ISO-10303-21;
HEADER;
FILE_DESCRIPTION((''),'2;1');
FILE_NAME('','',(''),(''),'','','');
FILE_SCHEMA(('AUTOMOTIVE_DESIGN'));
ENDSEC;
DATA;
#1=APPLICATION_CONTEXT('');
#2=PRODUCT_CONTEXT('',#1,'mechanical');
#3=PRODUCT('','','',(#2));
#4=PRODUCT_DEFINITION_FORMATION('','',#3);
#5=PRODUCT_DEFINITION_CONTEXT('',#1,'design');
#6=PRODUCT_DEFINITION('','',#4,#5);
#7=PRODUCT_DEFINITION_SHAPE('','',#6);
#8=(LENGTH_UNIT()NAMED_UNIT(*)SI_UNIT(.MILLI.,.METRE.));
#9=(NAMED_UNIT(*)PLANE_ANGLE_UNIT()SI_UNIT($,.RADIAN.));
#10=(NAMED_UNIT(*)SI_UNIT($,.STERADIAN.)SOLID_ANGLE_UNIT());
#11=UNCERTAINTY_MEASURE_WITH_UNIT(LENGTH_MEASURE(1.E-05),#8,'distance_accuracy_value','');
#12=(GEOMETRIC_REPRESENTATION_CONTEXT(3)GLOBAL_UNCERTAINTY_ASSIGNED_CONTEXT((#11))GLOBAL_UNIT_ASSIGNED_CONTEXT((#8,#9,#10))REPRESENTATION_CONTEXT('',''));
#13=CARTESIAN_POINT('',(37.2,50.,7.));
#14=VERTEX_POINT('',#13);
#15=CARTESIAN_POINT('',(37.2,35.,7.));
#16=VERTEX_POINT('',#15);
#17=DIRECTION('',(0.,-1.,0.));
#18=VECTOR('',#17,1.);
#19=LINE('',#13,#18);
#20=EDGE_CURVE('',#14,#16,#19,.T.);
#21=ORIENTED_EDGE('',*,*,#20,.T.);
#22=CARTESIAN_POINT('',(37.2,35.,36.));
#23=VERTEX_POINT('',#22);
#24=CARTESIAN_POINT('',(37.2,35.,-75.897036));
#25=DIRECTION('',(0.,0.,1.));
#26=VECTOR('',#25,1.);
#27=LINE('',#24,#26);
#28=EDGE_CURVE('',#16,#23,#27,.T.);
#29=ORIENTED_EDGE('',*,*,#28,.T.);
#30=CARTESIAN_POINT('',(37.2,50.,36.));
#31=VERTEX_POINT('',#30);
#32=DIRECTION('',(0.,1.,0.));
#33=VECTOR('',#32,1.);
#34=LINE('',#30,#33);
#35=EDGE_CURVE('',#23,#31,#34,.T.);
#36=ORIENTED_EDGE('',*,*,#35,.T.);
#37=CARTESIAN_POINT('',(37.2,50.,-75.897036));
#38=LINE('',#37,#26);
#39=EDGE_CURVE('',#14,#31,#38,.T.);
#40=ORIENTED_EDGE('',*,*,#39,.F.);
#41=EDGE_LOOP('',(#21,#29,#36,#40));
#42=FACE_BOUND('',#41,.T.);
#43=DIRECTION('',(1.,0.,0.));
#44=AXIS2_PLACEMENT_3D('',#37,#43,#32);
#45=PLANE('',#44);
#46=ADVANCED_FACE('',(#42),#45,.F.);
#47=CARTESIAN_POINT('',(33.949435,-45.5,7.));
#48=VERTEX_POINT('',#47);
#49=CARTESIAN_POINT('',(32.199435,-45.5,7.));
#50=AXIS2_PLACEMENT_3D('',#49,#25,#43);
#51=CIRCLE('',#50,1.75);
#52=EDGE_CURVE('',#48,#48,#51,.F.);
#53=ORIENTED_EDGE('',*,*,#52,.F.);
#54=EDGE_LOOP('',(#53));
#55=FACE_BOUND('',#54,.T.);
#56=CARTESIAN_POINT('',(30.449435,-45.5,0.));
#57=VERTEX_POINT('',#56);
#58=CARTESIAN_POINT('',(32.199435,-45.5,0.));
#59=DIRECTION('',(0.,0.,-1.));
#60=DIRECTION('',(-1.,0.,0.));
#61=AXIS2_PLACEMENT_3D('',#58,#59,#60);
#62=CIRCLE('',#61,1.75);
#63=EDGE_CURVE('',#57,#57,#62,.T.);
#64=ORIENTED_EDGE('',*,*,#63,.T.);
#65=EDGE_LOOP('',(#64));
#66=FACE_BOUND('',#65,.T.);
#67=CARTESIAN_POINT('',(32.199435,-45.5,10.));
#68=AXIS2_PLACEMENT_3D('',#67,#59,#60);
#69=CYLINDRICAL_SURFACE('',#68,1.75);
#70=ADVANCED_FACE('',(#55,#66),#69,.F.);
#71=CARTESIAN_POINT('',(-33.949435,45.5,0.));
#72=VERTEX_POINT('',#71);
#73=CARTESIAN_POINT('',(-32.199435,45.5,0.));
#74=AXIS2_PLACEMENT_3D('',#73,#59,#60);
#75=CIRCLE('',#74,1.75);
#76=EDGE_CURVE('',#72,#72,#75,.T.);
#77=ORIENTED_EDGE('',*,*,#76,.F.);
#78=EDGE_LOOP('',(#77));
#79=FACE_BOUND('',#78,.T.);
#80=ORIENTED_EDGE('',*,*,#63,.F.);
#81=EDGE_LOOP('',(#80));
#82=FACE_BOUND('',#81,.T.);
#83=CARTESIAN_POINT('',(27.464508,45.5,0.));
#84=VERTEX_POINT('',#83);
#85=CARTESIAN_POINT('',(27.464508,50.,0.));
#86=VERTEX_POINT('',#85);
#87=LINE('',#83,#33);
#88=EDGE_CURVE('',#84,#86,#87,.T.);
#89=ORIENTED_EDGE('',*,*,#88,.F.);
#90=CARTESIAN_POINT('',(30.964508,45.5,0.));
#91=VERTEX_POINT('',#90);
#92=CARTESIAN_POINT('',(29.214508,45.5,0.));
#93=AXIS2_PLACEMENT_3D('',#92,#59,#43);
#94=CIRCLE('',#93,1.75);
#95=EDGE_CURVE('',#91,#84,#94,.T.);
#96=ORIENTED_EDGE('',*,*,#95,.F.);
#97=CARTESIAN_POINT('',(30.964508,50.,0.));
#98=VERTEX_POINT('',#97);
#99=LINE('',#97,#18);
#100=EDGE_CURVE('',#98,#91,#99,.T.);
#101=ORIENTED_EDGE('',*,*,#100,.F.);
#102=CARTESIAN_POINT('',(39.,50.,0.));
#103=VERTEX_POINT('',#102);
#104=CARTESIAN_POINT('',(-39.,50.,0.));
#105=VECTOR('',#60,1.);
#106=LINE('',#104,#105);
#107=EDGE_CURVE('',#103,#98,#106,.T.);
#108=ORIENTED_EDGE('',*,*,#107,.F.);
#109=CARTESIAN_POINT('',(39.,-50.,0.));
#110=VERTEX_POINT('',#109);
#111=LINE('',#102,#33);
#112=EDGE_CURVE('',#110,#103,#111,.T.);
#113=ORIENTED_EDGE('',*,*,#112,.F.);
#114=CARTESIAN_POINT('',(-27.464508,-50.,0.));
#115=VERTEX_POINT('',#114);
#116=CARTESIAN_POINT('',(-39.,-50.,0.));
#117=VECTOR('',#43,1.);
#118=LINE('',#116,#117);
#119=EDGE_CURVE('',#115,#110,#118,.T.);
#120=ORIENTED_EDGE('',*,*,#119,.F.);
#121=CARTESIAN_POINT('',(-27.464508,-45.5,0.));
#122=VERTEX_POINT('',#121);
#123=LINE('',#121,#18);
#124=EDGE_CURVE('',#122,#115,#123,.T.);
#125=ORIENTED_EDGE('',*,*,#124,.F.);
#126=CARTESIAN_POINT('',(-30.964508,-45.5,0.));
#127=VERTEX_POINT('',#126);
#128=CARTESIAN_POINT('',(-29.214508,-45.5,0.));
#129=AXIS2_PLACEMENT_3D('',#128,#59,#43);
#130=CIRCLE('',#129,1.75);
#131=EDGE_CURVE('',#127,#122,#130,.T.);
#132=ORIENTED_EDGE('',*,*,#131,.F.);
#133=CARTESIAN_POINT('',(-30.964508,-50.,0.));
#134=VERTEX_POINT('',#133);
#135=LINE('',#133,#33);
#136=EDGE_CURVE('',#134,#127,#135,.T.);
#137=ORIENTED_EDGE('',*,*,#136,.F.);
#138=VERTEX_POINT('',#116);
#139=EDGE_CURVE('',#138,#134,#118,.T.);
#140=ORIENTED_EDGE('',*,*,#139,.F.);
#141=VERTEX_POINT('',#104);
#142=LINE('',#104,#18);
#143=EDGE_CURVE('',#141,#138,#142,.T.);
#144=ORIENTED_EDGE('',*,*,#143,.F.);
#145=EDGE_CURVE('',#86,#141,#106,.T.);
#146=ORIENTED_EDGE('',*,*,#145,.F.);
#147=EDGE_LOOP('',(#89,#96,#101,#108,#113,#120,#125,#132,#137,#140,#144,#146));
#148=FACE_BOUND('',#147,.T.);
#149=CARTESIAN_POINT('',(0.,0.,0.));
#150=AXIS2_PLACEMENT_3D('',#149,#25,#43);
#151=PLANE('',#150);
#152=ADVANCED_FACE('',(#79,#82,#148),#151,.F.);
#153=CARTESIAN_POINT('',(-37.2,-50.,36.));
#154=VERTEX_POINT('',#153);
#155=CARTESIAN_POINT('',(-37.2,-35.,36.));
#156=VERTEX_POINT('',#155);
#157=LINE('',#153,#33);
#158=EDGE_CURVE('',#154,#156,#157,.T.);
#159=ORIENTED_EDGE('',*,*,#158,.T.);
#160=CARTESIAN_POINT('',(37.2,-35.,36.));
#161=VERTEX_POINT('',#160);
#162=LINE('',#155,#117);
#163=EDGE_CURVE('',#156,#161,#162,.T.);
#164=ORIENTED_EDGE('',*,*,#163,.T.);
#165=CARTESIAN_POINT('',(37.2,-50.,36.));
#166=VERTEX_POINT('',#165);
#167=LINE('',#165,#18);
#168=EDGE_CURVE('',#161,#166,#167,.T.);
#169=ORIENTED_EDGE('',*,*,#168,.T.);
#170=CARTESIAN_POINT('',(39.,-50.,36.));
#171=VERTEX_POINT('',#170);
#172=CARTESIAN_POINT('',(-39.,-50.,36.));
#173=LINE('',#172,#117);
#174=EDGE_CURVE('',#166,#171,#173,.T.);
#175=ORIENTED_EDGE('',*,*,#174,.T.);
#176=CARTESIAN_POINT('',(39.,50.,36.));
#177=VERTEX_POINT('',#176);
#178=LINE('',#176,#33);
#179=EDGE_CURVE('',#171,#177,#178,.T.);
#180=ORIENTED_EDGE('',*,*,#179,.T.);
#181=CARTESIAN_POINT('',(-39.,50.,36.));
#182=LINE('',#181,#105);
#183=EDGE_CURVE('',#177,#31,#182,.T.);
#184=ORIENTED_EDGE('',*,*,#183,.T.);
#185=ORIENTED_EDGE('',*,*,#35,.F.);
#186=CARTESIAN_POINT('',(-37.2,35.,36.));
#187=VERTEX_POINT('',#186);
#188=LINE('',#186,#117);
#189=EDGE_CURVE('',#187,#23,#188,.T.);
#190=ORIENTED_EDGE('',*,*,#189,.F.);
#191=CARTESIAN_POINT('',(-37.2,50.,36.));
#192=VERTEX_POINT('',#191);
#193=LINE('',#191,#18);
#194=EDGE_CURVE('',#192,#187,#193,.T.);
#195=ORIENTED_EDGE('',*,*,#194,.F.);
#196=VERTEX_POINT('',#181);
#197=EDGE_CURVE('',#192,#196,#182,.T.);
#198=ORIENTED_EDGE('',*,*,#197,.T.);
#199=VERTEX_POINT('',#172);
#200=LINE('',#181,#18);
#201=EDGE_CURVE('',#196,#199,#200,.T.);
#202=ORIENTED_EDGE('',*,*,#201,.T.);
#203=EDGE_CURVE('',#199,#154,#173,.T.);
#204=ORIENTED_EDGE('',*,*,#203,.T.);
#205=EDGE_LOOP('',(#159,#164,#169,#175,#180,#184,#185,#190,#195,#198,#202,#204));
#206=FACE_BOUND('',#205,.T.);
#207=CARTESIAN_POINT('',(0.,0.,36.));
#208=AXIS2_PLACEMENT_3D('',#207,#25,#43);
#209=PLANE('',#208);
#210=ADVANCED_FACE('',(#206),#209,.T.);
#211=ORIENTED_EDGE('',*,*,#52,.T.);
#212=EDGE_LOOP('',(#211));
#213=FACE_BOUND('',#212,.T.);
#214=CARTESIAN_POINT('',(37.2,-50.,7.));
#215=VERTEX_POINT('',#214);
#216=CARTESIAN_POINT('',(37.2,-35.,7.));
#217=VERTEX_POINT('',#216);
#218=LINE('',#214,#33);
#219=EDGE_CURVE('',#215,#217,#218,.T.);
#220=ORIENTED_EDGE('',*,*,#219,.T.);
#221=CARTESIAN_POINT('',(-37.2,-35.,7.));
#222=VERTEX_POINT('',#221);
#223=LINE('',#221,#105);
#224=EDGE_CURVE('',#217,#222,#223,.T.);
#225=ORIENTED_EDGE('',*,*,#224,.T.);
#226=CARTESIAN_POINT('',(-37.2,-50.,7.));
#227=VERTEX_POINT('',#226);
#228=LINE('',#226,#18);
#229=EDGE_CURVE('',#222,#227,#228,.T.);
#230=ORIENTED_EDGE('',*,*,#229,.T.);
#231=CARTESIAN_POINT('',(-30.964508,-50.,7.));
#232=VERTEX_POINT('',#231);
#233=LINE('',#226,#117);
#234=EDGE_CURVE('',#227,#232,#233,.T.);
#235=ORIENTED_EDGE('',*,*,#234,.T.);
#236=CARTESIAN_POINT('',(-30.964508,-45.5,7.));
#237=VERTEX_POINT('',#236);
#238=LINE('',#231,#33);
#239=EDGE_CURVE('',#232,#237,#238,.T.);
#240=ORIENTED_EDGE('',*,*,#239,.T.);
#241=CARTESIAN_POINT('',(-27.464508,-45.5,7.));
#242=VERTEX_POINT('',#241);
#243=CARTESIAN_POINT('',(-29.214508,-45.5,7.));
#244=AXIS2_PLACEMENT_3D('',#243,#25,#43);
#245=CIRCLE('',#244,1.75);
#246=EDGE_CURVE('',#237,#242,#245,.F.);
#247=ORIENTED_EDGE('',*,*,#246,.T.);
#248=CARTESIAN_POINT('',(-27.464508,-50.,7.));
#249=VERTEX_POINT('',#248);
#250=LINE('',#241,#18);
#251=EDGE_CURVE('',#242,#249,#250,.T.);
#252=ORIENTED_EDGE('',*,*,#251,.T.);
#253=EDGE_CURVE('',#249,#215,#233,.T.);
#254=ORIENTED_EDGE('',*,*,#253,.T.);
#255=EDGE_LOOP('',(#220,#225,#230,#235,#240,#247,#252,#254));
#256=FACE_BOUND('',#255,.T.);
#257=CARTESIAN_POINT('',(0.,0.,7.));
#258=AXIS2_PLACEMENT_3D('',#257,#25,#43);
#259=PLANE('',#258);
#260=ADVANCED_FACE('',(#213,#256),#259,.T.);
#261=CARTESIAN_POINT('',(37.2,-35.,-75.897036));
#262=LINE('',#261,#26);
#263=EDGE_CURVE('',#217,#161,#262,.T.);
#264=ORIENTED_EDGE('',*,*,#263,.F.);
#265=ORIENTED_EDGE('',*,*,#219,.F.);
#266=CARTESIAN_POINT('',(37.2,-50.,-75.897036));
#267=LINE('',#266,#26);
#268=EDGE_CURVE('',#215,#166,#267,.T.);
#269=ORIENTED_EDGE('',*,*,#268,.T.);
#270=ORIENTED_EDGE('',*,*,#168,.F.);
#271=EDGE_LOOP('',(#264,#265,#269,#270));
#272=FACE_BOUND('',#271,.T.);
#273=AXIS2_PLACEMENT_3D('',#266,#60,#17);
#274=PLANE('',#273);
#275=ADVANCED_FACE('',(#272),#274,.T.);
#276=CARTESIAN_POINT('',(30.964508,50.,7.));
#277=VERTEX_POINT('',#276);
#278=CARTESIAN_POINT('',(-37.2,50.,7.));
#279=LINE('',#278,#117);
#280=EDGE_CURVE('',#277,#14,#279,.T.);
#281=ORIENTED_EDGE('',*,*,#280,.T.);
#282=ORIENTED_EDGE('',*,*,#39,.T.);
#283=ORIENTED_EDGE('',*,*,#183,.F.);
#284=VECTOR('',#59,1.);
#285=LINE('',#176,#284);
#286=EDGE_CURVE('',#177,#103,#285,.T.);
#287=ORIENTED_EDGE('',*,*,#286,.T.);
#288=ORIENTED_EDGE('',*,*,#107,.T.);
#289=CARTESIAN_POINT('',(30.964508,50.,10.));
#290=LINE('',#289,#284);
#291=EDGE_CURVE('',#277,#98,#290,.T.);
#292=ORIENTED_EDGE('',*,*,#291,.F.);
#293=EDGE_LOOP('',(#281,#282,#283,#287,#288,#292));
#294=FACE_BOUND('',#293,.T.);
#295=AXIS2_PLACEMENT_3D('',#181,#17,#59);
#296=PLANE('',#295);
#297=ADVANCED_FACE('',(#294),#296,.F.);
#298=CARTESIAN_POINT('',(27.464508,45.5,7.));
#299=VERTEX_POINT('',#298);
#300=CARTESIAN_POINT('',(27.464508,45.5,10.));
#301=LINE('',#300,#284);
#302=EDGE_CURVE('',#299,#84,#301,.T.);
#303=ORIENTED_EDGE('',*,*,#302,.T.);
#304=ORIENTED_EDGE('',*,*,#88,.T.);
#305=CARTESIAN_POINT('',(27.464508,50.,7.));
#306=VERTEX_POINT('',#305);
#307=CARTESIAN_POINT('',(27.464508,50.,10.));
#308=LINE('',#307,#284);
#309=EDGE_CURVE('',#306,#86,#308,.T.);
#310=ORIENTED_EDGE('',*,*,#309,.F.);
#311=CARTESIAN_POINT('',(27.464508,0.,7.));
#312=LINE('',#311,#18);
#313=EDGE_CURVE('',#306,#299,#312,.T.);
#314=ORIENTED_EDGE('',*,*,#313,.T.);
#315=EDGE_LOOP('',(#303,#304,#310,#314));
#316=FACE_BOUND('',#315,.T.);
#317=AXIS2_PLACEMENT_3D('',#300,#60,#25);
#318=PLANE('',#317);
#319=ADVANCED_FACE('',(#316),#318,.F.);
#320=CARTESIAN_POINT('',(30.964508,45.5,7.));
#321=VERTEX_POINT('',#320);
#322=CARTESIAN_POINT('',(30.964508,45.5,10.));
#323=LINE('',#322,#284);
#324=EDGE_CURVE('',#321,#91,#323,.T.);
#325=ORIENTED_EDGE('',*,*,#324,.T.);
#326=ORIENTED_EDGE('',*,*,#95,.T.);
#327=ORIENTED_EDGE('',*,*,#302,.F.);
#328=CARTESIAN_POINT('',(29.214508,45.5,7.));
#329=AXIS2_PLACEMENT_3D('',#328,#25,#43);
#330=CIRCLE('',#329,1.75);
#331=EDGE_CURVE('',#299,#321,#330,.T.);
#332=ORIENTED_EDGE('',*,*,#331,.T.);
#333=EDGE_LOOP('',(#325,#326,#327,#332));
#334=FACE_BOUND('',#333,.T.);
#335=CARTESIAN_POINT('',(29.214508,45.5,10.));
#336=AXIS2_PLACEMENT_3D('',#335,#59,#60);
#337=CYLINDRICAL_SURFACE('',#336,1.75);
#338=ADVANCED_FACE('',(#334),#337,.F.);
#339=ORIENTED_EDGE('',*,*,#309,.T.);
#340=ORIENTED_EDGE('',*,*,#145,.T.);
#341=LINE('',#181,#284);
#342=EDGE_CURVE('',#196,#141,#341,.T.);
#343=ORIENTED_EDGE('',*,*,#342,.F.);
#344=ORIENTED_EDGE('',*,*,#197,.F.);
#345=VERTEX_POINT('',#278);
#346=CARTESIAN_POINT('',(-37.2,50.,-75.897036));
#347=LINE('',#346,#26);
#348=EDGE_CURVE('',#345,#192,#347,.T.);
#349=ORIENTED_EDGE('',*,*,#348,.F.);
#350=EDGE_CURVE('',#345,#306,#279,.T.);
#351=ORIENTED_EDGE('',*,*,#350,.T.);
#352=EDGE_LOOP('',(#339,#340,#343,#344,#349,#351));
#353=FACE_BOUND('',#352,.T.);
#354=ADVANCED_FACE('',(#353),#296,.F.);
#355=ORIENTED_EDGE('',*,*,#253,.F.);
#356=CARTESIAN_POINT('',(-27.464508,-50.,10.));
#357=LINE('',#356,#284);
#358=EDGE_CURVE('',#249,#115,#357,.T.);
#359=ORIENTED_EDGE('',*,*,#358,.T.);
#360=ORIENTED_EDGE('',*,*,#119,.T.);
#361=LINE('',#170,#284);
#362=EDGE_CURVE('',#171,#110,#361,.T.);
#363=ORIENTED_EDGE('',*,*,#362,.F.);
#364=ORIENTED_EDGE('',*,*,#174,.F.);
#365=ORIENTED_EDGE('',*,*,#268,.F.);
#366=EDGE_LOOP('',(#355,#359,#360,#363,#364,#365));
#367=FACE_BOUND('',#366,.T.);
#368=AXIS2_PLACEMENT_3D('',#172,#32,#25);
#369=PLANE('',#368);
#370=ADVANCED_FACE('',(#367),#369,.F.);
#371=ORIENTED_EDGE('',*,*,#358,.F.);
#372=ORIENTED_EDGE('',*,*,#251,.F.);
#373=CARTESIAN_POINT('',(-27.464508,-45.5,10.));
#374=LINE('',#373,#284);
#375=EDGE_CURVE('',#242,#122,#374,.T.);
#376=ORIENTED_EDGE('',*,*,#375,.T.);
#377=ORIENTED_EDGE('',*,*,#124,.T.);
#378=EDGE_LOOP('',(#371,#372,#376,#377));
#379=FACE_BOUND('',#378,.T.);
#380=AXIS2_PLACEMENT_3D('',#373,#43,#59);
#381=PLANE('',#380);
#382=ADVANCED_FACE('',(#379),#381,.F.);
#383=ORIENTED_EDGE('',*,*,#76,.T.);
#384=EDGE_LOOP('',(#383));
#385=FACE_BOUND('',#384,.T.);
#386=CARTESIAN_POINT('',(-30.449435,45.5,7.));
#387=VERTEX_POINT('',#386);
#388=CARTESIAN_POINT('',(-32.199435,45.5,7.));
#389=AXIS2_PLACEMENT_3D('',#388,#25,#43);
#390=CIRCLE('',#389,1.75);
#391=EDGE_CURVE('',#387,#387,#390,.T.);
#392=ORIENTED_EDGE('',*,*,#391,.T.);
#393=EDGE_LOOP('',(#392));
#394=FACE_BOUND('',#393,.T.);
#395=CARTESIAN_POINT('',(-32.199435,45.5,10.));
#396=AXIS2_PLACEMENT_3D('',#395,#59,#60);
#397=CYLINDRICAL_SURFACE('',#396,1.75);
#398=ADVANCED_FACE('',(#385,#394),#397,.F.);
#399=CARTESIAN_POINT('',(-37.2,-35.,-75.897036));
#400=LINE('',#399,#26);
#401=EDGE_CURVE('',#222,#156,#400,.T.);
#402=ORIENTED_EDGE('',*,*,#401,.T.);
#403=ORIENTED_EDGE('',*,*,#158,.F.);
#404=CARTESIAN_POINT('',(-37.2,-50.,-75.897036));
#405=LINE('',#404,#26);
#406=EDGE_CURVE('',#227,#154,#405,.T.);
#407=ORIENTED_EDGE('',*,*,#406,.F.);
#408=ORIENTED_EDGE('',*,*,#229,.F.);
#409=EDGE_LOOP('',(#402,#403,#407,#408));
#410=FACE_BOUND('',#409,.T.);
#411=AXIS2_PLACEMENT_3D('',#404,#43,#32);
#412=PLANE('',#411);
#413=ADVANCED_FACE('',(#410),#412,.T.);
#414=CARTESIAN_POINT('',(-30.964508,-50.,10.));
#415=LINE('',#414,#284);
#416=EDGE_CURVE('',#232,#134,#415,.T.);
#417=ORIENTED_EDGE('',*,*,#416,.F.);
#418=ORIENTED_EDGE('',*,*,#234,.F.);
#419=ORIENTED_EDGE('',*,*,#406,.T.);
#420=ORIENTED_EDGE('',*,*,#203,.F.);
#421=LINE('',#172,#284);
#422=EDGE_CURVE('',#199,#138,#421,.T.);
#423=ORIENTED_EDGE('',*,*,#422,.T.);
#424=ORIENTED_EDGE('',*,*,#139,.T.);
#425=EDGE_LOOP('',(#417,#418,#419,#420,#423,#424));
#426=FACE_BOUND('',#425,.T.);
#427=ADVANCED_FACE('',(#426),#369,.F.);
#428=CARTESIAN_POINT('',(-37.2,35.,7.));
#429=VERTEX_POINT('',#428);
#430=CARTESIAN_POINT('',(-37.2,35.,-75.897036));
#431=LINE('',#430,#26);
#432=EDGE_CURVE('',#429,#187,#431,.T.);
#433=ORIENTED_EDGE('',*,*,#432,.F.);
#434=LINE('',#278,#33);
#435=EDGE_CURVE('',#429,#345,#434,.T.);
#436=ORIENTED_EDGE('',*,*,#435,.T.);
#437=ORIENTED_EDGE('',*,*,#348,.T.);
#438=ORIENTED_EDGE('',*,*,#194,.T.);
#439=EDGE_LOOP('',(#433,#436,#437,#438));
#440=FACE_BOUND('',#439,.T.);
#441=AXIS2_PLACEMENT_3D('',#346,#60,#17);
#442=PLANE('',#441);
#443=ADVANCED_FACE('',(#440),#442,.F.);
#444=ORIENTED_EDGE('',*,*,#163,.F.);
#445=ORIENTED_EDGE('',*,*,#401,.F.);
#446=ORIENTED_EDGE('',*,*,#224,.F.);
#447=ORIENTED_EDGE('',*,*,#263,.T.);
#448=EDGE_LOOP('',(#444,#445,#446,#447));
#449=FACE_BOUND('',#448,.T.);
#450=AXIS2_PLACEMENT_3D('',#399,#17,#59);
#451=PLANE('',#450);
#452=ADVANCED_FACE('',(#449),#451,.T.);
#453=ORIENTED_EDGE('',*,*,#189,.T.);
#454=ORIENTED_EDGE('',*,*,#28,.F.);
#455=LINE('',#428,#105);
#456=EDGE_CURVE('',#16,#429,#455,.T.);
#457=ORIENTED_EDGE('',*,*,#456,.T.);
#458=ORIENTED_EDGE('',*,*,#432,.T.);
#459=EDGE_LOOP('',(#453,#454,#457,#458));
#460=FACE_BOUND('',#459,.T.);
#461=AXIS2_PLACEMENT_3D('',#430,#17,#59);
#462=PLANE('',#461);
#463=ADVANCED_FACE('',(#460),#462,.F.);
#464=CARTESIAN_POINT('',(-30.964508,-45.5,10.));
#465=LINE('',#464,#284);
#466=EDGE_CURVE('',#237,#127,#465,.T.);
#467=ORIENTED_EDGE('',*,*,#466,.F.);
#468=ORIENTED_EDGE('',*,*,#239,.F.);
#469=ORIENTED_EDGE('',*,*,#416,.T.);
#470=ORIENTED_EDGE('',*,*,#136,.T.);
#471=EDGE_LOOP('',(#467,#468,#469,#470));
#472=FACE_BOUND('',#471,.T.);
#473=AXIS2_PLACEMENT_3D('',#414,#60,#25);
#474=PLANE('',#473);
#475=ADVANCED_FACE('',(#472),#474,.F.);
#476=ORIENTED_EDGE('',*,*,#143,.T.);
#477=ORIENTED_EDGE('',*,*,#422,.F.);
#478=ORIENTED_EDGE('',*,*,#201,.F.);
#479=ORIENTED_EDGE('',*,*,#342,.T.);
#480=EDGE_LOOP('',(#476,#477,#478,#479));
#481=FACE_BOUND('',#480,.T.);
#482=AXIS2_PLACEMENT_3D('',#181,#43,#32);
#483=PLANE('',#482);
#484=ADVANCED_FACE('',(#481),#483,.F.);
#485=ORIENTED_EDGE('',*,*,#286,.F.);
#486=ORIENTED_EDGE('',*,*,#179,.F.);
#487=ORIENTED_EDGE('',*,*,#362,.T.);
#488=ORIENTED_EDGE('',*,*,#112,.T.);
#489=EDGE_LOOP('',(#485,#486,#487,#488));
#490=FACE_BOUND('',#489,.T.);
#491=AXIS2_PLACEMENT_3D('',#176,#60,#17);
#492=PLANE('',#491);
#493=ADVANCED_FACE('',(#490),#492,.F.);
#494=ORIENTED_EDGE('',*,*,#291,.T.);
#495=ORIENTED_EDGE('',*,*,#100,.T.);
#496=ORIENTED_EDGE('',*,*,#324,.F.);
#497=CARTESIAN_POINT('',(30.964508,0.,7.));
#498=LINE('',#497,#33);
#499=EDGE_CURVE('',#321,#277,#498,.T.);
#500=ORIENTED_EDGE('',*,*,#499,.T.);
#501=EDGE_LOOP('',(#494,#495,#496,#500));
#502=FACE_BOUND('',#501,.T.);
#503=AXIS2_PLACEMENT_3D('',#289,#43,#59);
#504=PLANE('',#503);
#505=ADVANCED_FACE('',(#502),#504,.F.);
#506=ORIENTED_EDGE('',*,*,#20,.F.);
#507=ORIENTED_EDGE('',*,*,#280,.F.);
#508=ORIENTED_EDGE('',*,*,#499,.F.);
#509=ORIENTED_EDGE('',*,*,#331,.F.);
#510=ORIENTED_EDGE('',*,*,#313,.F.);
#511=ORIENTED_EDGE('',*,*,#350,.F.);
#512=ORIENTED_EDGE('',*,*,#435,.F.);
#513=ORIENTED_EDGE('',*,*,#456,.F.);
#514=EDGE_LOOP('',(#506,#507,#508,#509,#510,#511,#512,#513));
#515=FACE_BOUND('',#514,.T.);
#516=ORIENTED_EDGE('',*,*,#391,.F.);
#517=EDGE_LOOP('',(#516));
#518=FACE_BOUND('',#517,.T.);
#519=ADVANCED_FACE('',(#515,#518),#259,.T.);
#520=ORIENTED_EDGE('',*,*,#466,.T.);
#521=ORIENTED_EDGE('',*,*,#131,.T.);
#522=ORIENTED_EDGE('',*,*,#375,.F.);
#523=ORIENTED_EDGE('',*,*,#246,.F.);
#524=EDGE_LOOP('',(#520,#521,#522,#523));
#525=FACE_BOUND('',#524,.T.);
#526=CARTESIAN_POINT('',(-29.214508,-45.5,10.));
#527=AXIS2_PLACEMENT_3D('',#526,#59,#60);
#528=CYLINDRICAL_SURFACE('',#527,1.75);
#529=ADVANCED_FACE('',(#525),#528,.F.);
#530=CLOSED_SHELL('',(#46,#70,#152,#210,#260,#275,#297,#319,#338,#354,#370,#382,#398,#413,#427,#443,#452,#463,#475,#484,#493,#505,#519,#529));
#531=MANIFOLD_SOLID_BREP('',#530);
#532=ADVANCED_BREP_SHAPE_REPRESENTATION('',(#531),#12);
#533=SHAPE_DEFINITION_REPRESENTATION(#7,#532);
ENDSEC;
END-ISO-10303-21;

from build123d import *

# Parameters (mm, degrees)
SKETCH_1_W          = 78
SKETCH_1_H          = 100
EXTRUDE_1_DEPTH     = 36
SKETCH_2_W          = 74.4
SKETCH_2_H          = 15
CUT_EXTRUDE_1_DEPTH = 29
SKETCH_4_R          = 1.75
CUT_EXTRUDE_2_DEPTH = 10


with BuildPart() as part:
    # 草图1 → 凸台-拉伸1 (new body)
    with BuildSketch(Plane.XY):
        Rectangle(SKETCH_1_W, SKETCH_1_H)
    extrude(amount=EXTRUDE_1_DEPTH)

    # 草图2 → 切除-拉伸1 (cut)
    with BuildSketch(Plane.XY.offset(36)):
        with Locations((0, 42.5)):
            Rectangle(SKETCH_2_W, SKETCH_2_H)
    cut_extrude_1 = extrude(amount=-CUT_EXTRUDE_1_DEPTH, mode=Mode.SUBTRACT)

    # 草图4 → 切除-拉伸2 (cut)
    with BuildSketch(Plane(origin=(0, 0, 0), x_dir=(-1, 0, 0), z_dir=(0, 0, -1))):
        with Locations((-32.199434729, -45.5)):
            Circle(SKETCH_4_R)
        with Locations((32.199434729, 45.5)):
            Circle(SKETCH_4_R)
        with BuildLine():
            Line((27.464507609, -45.5), (27.464507609, -50))
            Line((27.464507609, -50), (30.964507609, -50))
            Line((30.964507609, -50), (30.964507609, -45.5))
            ThreePointArc((30.964507609, -45.5), (29.214507609, -43.75), (27.464507609, -45.5))
        make_face()
        with BuildLine():
            Line((-27.464507609, 45.5), (-27.464507609, 50))
            Line((-27.464507609, 50), (-30.964507609, 50))
            Line((-30.964507609, 50), (-30.964507609, 45.5))
            ThreePointArc((-30.964507609, 45.5), (-29.214507609, 43.75), (-27.464507609, 45.5))
        make_face()
    extrude(amount=-CUT_EXTRUDE_2_DEPTH, mode=Mode.SUBTRACT)

    # 镜向1: 切除-拉伸1 across plane
    add(cut_extrude_1.mirror(Plane.ZX), mode=Mode.SUBTRACT)


solid = part.part
